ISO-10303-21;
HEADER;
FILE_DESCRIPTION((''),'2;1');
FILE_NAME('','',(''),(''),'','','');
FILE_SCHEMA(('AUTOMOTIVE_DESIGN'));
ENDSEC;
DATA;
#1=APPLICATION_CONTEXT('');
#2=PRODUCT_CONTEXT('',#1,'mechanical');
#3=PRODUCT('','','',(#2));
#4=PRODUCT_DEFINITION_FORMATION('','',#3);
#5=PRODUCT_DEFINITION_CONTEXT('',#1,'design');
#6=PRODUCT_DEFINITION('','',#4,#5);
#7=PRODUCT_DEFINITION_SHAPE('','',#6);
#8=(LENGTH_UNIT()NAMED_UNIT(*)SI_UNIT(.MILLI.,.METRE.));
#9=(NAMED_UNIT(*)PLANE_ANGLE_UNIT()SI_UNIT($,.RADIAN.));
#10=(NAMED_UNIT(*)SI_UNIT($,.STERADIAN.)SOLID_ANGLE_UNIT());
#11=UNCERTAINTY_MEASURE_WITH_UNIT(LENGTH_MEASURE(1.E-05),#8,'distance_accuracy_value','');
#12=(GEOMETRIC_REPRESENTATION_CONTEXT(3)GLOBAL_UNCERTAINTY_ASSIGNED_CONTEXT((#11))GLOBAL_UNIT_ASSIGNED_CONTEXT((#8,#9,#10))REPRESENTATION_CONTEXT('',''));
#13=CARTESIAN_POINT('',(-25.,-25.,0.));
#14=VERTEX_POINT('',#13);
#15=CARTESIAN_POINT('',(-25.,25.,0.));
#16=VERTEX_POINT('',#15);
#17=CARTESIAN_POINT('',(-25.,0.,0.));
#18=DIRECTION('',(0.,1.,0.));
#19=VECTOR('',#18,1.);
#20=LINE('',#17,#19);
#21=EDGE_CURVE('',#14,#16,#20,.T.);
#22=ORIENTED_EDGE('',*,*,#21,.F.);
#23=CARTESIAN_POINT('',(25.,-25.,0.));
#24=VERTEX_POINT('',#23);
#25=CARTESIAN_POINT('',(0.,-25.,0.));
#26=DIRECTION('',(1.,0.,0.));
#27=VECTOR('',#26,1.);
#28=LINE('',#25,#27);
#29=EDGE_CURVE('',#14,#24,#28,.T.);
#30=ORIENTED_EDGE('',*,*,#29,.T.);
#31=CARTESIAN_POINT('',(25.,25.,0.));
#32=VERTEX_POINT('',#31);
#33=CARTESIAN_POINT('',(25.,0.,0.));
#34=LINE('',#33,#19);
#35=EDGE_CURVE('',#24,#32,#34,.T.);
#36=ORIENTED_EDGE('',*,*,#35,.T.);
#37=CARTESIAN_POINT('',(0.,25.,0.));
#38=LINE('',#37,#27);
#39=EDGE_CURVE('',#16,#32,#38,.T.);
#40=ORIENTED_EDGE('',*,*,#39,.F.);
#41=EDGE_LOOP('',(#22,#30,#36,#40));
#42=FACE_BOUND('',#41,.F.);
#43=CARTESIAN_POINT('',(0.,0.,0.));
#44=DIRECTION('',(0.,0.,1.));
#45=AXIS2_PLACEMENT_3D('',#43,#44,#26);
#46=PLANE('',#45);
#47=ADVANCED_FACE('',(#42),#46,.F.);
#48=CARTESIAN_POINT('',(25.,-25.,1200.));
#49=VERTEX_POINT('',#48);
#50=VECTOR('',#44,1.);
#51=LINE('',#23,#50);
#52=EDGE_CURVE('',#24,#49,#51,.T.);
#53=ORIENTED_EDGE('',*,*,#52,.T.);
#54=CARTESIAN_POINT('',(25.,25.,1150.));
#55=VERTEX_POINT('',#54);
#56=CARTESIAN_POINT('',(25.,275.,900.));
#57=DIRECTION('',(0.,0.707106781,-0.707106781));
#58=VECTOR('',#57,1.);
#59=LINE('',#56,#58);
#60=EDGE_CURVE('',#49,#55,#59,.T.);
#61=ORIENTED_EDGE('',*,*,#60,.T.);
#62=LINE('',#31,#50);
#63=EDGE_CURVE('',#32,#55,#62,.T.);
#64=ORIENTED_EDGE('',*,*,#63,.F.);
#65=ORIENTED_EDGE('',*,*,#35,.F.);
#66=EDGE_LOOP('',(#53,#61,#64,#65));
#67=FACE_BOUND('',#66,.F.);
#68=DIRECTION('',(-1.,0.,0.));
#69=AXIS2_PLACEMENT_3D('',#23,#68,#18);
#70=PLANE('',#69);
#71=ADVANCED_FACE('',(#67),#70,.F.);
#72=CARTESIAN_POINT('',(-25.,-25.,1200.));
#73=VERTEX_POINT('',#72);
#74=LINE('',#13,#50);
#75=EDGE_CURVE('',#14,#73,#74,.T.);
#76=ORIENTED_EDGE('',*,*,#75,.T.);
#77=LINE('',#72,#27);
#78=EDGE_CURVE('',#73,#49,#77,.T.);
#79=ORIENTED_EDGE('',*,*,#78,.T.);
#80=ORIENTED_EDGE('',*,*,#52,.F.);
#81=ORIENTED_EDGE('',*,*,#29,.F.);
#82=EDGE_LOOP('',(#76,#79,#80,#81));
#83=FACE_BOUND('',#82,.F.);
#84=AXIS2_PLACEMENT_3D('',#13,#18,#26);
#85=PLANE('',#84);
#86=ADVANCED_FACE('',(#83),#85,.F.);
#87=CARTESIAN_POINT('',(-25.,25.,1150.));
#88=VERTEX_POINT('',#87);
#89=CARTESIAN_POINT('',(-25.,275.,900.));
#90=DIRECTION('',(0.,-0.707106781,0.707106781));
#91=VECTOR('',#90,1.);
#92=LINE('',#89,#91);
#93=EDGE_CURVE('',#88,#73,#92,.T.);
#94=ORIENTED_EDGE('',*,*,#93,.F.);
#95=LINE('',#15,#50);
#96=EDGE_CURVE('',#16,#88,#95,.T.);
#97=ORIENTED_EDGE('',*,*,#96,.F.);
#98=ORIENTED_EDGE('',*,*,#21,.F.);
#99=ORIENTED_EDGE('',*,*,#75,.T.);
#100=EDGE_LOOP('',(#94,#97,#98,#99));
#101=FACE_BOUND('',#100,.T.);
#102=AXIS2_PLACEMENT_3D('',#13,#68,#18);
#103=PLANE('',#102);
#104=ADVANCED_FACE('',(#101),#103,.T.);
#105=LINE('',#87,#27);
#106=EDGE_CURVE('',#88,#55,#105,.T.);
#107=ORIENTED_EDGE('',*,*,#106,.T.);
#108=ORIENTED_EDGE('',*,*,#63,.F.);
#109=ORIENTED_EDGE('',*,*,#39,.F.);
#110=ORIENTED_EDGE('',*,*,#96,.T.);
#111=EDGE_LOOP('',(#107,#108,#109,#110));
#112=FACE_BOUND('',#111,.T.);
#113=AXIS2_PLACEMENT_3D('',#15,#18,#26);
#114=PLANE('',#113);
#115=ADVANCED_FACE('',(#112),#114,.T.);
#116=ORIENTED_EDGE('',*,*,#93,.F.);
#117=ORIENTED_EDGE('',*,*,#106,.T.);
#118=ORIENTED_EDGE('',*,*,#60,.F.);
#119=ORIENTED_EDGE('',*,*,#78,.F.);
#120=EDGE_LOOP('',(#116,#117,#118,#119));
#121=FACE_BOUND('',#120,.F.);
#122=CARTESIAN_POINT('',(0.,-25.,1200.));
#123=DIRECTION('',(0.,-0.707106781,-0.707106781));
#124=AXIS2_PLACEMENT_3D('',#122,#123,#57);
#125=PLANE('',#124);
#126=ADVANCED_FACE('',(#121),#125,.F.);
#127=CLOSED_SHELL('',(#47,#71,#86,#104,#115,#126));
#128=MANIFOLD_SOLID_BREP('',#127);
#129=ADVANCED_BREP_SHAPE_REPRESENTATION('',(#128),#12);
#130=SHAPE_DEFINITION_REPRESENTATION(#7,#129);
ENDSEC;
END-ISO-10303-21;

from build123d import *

# Parameters (mm, degrees)
F0_W          = 50
F0_H          = 50
F1_DEPTH      = 1200
F3_DEPTH      = 25.001
F3_DEPTH_BACK = 25.001


with BuildPart() as f1:
    # F0 (on Top) → F1 (new body)
    with BuildSketch(Plane.XY):
        Rectangle(F0_W, F0_H)
    extrude(amount=F1_DEPTH)

    # F2 (on Right) → F3 (cut, two sides)
    with BuildSketch(Plane.YZ) as f3_sk:
        Polygon((135.3058686236, 1200), (-25, 1200), (135.3058686236, 1039.6941313764), align=None)
    extrude(amount=-F3_DEPTH, mode=Mode.SUBTRACT)
    extrude(f3_sk.sketch, amount=F3_DEPTH_BACK, mode=Mode.SUBTRACT)


solid = f1.part
